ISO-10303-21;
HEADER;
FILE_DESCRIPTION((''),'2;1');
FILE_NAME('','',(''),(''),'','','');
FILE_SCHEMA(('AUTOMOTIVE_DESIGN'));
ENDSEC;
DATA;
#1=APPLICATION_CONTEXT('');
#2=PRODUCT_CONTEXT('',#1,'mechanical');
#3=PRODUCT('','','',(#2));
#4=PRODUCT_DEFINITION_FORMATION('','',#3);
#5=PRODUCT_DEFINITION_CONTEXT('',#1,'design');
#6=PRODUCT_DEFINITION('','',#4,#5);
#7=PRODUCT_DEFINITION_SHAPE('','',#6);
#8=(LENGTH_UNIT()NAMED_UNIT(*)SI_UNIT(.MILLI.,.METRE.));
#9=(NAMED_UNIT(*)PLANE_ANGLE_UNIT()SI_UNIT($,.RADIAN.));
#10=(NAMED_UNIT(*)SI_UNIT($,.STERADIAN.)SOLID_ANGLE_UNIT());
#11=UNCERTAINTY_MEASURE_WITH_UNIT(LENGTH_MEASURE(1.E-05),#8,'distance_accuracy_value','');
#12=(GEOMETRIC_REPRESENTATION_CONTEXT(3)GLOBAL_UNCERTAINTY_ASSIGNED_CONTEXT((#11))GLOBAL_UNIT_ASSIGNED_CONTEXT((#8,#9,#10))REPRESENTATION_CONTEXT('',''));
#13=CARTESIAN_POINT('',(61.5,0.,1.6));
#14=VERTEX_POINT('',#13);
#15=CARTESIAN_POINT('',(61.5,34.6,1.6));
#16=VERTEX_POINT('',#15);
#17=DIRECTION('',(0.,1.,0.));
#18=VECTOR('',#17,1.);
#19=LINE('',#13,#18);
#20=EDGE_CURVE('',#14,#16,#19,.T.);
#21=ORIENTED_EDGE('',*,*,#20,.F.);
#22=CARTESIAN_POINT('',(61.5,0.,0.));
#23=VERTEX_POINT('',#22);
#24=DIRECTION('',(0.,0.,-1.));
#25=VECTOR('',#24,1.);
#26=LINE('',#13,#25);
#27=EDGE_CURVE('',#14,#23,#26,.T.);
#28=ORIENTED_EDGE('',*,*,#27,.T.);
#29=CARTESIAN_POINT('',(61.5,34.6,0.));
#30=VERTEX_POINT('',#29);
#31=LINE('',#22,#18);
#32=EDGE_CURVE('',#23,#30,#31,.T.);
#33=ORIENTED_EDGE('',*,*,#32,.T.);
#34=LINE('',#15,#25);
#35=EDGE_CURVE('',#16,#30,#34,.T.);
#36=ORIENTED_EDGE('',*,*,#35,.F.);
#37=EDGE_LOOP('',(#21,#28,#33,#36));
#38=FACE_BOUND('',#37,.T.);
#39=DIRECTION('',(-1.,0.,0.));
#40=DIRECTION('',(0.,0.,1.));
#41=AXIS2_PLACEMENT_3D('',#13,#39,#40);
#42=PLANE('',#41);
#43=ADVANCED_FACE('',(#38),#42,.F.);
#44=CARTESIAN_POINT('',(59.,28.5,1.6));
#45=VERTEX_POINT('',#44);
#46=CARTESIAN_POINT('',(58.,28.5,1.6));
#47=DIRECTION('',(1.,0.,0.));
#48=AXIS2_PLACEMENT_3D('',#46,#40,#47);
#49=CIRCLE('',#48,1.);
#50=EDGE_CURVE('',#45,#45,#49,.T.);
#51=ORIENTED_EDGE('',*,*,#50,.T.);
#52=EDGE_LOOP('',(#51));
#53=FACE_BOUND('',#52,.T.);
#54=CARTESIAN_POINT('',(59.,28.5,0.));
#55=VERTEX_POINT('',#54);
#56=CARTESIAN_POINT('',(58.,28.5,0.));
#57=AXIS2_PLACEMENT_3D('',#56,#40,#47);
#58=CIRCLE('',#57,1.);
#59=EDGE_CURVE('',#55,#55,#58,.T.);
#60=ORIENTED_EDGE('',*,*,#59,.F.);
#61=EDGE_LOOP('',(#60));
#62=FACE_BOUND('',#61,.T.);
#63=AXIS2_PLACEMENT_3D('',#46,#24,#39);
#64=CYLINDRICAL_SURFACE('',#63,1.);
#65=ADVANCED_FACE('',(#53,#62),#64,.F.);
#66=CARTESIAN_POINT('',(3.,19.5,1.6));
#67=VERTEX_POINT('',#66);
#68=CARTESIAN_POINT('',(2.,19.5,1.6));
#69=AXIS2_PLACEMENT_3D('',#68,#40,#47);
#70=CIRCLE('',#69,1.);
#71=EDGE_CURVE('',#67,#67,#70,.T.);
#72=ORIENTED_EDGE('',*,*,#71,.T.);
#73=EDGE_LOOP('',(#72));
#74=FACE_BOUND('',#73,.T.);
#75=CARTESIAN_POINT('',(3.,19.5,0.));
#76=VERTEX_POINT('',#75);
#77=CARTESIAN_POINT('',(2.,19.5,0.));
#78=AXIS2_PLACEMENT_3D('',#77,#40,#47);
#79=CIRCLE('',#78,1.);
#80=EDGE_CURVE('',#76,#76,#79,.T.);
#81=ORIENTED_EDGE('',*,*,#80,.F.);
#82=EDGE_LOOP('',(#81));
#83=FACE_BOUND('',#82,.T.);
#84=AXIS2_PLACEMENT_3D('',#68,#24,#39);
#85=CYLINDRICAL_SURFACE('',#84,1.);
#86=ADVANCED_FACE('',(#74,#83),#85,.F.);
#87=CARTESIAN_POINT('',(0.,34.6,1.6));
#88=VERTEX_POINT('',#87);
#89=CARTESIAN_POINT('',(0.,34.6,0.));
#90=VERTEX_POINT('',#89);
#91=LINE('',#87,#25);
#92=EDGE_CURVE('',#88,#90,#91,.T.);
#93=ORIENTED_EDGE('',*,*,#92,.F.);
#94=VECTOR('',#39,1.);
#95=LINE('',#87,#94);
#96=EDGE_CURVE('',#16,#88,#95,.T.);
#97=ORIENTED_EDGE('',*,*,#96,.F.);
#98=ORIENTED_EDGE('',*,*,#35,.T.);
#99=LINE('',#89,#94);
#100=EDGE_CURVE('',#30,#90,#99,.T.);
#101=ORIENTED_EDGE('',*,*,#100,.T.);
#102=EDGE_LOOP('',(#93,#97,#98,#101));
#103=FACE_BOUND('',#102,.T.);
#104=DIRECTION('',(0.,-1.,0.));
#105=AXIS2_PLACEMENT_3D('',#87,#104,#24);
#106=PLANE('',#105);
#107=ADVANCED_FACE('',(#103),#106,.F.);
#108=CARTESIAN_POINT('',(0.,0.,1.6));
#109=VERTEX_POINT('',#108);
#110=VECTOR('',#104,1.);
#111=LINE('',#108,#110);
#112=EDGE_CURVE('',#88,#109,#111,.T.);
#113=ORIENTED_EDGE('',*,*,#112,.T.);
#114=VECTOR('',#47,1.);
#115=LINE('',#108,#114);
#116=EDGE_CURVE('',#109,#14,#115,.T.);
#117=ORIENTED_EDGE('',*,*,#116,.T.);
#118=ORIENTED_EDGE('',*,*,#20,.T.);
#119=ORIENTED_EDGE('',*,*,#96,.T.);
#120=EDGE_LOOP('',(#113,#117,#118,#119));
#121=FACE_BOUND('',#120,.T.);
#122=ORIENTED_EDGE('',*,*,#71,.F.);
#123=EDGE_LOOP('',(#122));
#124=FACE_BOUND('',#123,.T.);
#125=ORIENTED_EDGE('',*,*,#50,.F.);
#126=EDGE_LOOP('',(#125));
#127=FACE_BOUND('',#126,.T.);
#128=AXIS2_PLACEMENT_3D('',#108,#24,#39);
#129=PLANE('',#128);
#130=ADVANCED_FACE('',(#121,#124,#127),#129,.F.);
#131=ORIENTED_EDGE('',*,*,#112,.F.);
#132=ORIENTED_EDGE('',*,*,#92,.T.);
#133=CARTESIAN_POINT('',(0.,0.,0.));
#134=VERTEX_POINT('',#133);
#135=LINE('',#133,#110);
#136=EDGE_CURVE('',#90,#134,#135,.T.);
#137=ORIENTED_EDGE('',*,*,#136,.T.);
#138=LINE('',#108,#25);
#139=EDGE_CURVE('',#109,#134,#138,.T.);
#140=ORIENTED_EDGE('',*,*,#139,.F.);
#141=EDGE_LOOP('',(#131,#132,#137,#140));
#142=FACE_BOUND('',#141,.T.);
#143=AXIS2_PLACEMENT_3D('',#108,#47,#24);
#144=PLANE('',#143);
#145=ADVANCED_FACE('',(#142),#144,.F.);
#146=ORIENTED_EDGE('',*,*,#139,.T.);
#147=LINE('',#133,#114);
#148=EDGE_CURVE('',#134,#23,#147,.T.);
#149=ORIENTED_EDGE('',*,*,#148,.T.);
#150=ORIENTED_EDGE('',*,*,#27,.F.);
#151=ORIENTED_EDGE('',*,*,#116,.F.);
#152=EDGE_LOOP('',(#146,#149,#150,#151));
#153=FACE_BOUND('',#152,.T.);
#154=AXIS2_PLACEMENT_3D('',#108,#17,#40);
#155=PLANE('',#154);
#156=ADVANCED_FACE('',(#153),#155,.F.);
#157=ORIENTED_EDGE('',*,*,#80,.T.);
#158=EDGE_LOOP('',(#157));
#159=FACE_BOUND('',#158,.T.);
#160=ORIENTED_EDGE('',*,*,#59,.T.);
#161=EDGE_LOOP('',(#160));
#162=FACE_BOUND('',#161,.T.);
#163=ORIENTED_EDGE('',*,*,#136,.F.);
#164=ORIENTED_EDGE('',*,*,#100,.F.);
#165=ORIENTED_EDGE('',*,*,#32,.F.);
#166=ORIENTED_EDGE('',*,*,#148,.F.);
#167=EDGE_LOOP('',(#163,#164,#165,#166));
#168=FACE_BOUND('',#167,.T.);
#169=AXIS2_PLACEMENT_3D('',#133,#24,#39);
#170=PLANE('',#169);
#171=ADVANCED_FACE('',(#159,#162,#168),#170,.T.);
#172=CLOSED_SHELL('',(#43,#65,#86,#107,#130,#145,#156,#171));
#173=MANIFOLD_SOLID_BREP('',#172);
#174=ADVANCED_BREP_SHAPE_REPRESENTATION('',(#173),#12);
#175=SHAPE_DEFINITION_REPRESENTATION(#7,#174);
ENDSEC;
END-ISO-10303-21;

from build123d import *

# Parameters (mm, degrees)
SKETCH1_W           = 61.5
SKETCH1_H           = 34.6
SKETCH1_R           = 1
BOSS_EXTRUDE1_DEPTH = 1.6


with BuildPart() as part:
    # Sketch1 → Boss-Extrude1 (new body)
    with BuildSketch(Plane.XY):
        with Locations((30.75, 17.3)):
            Rectangle(SKETCH1_W, SKETCH1_H)
        with Locations((2, 19.5)):
            Circle(SKETCH1_R, mode=Mode.SUBTRACT)
        with Locations((58, 28.5)):
            Circle(SKETCH1_R, mode=Mode.SUBTRACT)
    extrude(amount=BOSS_EXTRUDE1_DEPTH)


solid = part.part
